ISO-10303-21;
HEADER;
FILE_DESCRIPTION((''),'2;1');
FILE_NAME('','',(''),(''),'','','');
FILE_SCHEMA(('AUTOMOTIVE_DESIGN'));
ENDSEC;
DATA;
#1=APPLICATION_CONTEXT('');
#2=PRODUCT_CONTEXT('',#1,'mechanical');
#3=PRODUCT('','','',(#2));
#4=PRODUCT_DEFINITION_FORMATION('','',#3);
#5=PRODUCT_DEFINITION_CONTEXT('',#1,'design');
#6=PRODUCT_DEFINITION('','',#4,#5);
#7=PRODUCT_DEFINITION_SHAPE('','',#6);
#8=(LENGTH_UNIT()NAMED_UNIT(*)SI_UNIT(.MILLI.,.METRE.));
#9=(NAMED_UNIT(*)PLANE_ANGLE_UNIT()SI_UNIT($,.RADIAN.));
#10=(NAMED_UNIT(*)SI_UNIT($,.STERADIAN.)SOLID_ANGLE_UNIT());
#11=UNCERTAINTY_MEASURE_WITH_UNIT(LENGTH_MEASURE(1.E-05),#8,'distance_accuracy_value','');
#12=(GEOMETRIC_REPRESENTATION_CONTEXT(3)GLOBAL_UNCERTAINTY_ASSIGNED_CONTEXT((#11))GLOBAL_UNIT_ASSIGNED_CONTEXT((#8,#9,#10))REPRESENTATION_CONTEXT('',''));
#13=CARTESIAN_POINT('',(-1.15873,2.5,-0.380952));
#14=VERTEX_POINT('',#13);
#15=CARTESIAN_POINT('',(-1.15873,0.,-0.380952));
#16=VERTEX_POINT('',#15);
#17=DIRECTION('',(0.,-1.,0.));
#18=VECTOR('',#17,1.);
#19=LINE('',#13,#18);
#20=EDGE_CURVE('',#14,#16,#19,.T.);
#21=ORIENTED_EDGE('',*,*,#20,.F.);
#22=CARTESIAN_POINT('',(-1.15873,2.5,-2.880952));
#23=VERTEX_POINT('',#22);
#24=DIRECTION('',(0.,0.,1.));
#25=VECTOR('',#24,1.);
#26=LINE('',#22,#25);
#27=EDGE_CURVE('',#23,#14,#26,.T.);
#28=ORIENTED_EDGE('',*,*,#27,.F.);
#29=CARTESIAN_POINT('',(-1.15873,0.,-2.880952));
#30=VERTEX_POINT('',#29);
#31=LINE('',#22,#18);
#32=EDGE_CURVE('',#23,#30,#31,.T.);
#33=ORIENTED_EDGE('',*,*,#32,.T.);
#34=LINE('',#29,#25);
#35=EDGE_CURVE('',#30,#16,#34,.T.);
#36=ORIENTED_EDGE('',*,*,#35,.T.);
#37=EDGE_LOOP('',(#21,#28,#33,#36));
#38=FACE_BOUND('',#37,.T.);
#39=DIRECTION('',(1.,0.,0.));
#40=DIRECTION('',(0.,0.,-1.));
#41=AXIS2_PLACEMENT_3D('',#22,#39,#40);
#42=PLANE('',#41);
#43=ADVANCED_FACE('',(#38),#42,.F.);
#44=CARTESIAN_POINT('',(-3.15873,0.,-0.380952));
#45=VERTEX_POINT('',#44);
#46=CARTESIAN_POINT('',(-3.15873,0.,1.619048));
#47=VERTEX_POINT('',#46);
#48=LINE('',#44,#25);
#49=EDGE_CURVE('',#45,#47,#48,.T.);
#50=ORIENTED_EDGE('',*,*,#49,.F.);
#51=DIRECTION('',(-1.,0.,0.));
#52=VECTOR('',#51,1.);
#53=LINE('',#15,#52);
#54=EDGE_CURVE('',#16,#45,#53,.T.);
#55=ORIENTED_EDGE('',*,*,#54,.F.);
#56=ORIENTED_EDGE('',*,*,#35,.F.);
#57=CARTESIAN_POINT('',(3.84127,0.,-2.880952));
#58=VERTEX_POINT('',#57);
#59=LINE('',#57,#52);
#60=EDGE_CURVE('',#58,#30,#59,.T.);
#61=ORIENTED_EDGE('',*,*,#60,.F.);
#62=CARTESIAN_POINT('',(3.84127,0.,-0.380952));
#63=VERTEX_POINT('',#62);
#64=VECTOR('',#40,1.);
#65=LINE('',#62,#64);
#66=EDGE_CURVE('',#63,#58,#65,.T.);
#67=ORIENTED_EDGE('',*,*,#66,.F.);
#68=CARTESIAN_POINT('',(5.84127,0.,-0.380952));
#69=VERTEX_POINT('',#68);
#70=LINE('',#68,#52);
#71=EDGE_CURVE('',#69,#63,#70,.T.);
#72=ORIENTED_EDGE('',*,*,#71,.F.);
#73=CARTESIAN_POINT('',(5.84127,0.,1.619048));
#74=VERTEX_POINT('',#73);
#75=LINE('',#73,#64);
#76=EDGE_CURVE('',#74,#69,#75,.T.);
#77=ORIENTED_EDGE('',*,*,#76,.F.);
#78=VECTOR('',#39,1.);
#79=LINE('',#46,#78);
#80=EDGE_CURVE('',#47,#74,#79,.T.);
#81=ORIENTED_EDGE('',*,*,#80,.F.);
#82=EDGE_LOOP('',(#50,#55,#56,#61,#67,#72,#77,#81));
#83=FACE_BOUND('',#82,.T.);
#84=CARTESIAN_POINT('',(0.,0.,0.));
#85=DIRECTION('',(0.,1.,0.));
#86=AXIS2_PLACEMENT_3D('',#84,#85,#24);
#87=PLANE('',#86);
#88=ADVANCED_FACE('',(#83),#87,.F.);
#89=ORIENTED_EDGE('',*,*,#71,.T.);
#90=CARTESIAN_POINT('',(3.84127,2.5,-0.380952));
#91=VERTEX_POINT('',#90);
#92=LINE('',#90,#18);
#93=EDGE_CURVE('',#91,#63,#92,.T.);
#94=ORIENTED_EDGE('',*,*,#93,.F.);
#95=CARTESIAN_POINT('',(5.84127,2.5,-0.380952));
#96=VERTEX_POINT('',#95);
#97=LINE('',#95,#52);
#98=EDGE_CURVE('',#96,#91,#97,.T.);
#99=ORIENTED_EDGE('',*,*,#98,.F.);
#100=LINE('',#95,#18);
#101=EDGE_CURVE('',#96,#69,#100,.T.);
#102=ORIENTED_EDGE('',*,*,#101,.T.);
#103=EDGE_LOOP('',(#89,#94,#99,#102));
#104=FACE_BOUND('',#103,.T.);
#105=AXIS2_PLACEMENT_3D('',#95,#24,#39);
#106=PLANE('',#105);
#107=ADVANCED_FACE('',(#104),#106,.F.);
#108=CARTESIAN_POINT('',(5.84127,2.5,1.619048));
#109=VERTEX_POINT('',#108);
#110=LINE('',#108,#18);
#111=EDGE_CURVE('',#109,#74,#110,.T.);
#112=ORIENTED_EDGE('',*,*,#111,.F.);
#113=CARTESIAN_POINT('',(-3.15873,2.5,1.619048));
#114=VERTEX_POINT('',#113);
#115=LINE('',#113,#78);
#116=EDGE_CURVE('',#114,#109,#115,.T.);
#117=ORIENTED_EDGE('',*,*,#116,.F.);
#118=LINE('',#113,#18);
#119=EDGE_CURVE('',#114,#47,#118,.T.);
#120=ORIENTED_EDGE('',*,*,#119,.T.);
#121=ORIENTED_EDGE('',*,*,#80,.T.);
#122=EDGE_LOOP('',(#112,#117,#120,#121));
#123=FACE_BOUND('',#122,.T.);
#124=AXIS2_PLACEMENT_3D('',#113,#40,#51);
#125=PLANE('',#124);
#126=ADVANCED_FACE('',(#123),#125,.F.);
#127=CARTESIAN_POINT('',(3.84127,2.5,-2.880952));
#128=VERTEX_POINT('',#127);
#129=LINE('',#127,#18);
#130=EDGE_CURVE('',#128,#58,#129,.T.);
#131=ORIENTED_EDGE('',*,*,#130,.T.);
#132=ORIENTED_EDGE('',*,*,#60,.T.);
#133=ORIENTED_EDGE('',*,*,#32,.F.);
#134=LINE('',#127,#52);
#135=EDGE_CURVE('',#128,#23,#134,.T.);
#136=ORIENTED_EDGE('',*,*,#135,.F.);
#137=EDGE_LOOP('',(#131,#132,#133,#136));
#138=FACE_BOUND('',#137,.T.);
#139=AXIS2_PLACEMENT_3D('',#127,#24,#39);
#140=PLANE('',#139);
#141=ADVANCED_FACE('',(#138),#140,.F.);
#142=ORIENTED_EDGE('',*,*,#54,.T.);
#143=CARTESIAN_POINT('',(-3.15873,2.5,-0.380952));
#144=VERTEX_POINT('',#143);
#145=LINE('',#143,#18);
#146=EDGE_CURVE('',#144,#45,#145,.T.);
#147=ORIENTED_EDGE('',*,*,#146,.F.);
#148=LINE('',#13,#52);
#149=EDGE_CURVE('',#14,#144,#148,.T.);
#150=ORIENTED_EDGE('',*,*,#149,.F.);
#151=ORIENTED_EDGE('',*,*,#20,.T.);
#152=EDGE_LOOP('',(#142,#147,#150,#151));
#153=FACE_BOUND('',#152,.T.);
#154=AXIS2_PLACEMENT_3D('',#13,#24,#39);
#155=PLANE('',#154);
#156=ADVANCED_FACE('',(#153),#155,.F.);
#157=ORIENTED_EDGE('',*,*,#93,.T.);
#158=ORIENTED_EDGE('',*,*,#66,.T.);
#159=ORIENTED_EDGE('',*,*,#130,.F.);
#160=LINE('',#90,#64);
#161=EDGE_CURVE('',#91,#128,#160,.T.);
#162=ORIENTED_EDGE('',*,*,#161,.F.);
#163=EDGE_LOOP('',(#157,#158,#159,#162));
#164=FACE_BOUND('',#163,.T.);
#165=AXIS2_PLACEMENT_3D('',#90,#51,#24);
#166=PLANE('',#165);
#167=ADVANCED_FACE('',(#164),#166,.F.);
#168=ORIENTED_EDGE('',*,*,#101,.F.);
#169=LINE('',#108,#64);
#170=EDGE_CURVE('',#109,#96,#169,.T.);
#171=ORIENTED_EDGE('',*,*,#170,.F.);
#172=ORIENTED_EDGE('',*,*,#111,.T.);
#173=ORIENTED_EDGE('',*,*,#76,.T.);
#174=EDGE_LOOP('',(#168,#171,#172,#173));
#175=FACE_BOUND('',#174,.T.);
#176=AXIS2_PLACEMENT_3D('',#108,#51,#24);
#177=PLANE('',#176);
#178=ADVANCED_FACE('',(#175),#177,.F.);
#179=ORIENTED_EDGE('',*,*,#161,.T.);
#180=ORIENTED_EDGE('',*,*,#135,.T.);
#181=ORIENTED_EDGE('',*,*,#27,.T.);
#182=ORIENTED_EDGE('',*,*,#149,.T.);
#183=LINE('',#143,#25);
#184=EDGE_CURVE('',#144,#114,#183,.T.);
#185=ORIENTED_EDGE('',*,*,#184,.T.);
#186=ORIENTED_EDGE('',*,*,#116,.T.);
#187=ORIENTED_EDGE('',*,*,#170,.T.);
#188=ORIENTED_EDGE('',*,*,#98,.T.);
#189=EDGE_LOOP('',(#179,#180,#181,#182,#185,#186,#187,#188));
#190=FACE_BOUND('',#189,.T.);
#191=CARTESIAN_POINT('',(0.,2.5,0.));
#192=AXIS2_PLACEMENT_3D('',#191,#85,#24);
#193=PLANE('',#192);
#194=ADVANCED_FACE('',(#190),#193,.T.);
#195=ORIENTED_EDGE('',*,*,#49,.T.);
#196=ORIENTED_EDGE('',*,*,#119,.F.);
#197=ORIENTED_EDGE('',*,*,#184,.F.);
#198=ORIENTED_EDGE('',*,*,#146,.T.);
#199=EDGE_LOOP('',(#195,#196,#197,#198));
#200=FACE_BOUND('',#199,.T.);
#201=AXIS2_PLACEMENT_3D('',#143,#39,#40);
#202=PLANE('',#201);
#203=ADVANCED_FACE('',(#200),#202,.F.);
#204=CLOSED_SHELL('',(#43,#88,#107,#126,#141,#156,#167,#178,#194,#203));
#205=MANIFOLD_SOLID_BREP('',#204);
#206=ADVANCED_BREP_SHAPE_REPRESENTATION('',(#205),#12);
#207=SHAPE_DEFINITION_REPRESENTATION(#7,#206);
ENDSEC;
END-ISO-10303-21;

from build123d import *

# Parameters (mm, degrees)
EXTRUDE_1_DEPTH = 2.5


with BuildPart() as part:
    # 草图1 → 凸台-拉伸1 (new body)
    with BuildSketch(Plane(origin=(0, 0, 0), x_dir=(1, 0, 0), z_dir=(0, 1, 0))):
        Polygon((-3.158730159, -1.619047619), (5.841269841, -1.619047619), (5.841269841, 0.380952381), (3.841269841, 0.380952381), (3.841269841, 2.880952381), (-1.158730159, 2.880952381), (-1.158730159, 0.380952381), (-3.158730159, 0.380952381), align=None)
    extrude(amount=EXTRUDE_1_DEPTH)


solid = part.part
